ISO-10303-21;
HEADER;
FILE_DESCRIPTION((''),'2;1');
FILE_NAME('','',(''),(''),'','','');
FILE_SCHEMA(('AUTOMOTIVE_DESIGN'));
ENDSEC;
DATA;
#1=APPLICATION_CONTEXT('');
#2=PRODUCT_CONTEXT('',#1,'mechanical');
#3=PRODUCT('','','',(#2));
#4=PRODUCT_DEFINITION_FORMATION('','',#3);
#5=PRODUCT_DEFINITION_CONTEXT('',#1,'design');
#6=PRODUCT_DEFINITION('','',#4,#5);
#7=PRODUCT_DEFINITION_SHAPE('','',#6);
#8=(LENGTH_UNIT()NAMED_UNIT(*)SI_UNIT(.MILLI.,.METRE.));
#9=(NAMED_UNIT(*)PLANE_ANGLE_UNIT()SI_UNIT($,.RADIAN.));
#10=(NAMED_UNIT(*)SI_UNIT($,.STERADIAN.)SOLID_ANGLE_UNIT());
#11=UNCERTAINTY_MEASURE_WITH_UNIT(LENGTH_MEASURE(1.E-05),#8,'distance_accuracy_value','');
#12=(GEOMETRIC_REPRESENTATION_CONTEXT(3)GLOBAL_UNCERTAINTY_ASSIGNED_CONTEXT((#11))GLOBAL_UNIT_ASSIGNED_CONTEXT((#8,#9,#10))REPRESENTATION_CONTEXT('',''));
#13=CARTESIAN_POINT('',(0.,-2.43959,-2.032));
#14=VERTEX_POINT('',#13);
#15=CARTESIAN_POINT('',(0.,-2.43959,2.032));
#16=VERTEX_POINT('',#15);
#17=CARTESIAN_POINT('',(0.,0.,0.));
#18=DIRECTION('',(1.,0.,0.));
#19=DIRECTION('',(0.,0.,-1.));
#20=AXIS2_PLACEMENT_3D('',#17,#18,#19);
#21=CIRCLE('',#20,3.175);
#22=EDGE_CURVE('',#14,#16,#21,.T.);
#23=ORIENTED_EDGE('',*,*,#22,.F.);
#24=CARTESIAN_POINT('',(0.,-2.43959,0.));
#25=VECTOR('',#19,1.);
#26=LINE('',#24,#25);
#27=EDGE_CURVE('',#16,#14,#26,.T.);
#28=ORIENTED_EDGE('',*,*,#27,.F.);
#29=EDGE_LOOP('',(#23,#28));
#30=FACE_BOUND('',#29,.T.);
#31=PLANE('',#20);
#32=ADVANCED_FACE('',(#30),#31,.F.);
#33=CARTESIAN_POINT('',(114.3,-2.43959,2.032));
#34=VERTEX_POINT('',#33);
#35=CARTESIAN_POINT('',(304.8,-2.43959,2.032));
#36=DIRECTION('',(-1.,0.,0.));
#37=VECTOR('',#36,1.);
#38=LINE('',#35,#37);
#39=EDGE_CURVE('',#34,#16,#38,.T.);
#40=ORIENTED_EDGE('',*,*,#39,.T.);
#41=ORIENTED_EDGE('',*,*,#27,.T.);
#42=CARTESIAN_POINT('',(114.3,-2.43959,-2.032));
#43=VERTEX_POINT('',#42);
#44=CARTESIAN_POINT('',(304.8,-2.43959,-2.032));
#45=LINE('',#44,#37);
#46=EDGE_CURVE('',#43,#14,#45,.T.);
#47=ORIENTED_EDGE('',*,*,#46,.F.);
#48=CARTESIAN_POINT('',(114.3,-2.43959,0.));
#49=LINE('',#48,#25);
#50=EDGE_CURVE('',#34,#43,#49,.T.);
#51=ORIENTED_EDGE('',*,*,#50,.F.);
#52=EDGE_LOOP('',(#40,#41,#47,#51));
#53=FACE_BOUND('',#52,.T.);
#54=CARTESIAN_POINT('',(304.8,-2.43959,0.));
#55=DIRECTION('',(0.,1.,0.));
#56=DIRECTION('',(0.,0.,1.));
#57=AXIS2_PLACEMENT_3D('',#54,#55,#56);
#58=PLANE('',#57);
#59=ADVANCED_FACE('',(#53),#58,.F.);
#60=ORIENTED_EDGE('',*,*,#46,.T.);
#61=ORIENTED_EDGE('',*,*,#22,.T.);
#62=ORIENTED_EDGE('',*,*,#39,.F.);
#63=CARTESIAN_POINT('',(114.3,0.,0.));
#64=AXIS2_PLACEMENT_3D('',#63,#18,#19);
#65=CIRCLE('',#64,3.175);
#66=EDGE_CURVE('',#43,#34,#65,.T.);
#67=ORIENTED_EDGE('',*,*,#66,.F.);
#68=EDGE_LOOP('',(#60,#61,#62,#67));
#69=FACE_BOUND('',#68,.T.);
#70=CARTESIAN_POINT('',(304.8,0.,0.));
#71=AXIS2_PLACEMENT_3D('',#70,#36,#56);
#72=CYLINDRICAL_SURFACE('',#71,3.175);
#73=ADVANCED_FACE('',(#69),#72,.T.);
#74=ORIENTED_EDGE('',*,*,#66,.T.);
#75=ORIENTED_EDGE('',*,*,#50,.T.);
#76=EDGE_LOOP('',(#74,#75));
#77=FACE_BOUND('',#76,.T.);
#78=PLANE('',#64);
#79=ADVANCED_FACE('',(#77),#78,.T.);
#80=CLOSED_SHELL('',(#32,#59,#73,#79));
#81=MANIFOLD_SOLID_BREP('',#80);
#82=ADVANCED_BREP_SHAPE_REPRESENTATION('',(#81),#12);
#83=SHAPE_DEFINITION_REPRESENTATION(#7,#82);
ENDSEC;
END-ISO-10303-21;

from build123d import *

# Parameters (mm, degrees)
BOSS_EXTRUDE1_DEPTH = 304.8
SKETCH2_R           = 3.175
CUT_EXTRUDE1_DEPTH  = 190.5


with BuildPart() as part:
    # Sketch1 → Boss-Extrude1 (new body)
    with BuildSketch(Plane(origin=(0, 0, 0), x_dir=(0, 0, -1), z_dir=(1, 0, 0))):
        with BuildLine():
            ThreePointArc((3.175, 0), (-1.347038418, 2.875084781), (-2.032, -2.439590334))
            Line((-2.032, -2.439590334), (2.032, -2.439590334))
            ThreePointArc((2.032, -2.439590334), (2.875084781, -1.347038418), (3.175, 0))
        make_face()
    extrude(amount=BOSS_EXTRUDE1_DEPTH)

    # Sketch2 → Cut-Extrude1 (cut)
    with BuildSketch(Plane(origin=(304.8, 0, 0), x_dir=(0, 0, -1), z_dir=(1, 0, 0))):
        Circle(SKETCH2_R)
    extrude(amount=-CUT_EXTRUDE1_DEPTH, mode=Mode.SUBTRACT)


solid = part.part
